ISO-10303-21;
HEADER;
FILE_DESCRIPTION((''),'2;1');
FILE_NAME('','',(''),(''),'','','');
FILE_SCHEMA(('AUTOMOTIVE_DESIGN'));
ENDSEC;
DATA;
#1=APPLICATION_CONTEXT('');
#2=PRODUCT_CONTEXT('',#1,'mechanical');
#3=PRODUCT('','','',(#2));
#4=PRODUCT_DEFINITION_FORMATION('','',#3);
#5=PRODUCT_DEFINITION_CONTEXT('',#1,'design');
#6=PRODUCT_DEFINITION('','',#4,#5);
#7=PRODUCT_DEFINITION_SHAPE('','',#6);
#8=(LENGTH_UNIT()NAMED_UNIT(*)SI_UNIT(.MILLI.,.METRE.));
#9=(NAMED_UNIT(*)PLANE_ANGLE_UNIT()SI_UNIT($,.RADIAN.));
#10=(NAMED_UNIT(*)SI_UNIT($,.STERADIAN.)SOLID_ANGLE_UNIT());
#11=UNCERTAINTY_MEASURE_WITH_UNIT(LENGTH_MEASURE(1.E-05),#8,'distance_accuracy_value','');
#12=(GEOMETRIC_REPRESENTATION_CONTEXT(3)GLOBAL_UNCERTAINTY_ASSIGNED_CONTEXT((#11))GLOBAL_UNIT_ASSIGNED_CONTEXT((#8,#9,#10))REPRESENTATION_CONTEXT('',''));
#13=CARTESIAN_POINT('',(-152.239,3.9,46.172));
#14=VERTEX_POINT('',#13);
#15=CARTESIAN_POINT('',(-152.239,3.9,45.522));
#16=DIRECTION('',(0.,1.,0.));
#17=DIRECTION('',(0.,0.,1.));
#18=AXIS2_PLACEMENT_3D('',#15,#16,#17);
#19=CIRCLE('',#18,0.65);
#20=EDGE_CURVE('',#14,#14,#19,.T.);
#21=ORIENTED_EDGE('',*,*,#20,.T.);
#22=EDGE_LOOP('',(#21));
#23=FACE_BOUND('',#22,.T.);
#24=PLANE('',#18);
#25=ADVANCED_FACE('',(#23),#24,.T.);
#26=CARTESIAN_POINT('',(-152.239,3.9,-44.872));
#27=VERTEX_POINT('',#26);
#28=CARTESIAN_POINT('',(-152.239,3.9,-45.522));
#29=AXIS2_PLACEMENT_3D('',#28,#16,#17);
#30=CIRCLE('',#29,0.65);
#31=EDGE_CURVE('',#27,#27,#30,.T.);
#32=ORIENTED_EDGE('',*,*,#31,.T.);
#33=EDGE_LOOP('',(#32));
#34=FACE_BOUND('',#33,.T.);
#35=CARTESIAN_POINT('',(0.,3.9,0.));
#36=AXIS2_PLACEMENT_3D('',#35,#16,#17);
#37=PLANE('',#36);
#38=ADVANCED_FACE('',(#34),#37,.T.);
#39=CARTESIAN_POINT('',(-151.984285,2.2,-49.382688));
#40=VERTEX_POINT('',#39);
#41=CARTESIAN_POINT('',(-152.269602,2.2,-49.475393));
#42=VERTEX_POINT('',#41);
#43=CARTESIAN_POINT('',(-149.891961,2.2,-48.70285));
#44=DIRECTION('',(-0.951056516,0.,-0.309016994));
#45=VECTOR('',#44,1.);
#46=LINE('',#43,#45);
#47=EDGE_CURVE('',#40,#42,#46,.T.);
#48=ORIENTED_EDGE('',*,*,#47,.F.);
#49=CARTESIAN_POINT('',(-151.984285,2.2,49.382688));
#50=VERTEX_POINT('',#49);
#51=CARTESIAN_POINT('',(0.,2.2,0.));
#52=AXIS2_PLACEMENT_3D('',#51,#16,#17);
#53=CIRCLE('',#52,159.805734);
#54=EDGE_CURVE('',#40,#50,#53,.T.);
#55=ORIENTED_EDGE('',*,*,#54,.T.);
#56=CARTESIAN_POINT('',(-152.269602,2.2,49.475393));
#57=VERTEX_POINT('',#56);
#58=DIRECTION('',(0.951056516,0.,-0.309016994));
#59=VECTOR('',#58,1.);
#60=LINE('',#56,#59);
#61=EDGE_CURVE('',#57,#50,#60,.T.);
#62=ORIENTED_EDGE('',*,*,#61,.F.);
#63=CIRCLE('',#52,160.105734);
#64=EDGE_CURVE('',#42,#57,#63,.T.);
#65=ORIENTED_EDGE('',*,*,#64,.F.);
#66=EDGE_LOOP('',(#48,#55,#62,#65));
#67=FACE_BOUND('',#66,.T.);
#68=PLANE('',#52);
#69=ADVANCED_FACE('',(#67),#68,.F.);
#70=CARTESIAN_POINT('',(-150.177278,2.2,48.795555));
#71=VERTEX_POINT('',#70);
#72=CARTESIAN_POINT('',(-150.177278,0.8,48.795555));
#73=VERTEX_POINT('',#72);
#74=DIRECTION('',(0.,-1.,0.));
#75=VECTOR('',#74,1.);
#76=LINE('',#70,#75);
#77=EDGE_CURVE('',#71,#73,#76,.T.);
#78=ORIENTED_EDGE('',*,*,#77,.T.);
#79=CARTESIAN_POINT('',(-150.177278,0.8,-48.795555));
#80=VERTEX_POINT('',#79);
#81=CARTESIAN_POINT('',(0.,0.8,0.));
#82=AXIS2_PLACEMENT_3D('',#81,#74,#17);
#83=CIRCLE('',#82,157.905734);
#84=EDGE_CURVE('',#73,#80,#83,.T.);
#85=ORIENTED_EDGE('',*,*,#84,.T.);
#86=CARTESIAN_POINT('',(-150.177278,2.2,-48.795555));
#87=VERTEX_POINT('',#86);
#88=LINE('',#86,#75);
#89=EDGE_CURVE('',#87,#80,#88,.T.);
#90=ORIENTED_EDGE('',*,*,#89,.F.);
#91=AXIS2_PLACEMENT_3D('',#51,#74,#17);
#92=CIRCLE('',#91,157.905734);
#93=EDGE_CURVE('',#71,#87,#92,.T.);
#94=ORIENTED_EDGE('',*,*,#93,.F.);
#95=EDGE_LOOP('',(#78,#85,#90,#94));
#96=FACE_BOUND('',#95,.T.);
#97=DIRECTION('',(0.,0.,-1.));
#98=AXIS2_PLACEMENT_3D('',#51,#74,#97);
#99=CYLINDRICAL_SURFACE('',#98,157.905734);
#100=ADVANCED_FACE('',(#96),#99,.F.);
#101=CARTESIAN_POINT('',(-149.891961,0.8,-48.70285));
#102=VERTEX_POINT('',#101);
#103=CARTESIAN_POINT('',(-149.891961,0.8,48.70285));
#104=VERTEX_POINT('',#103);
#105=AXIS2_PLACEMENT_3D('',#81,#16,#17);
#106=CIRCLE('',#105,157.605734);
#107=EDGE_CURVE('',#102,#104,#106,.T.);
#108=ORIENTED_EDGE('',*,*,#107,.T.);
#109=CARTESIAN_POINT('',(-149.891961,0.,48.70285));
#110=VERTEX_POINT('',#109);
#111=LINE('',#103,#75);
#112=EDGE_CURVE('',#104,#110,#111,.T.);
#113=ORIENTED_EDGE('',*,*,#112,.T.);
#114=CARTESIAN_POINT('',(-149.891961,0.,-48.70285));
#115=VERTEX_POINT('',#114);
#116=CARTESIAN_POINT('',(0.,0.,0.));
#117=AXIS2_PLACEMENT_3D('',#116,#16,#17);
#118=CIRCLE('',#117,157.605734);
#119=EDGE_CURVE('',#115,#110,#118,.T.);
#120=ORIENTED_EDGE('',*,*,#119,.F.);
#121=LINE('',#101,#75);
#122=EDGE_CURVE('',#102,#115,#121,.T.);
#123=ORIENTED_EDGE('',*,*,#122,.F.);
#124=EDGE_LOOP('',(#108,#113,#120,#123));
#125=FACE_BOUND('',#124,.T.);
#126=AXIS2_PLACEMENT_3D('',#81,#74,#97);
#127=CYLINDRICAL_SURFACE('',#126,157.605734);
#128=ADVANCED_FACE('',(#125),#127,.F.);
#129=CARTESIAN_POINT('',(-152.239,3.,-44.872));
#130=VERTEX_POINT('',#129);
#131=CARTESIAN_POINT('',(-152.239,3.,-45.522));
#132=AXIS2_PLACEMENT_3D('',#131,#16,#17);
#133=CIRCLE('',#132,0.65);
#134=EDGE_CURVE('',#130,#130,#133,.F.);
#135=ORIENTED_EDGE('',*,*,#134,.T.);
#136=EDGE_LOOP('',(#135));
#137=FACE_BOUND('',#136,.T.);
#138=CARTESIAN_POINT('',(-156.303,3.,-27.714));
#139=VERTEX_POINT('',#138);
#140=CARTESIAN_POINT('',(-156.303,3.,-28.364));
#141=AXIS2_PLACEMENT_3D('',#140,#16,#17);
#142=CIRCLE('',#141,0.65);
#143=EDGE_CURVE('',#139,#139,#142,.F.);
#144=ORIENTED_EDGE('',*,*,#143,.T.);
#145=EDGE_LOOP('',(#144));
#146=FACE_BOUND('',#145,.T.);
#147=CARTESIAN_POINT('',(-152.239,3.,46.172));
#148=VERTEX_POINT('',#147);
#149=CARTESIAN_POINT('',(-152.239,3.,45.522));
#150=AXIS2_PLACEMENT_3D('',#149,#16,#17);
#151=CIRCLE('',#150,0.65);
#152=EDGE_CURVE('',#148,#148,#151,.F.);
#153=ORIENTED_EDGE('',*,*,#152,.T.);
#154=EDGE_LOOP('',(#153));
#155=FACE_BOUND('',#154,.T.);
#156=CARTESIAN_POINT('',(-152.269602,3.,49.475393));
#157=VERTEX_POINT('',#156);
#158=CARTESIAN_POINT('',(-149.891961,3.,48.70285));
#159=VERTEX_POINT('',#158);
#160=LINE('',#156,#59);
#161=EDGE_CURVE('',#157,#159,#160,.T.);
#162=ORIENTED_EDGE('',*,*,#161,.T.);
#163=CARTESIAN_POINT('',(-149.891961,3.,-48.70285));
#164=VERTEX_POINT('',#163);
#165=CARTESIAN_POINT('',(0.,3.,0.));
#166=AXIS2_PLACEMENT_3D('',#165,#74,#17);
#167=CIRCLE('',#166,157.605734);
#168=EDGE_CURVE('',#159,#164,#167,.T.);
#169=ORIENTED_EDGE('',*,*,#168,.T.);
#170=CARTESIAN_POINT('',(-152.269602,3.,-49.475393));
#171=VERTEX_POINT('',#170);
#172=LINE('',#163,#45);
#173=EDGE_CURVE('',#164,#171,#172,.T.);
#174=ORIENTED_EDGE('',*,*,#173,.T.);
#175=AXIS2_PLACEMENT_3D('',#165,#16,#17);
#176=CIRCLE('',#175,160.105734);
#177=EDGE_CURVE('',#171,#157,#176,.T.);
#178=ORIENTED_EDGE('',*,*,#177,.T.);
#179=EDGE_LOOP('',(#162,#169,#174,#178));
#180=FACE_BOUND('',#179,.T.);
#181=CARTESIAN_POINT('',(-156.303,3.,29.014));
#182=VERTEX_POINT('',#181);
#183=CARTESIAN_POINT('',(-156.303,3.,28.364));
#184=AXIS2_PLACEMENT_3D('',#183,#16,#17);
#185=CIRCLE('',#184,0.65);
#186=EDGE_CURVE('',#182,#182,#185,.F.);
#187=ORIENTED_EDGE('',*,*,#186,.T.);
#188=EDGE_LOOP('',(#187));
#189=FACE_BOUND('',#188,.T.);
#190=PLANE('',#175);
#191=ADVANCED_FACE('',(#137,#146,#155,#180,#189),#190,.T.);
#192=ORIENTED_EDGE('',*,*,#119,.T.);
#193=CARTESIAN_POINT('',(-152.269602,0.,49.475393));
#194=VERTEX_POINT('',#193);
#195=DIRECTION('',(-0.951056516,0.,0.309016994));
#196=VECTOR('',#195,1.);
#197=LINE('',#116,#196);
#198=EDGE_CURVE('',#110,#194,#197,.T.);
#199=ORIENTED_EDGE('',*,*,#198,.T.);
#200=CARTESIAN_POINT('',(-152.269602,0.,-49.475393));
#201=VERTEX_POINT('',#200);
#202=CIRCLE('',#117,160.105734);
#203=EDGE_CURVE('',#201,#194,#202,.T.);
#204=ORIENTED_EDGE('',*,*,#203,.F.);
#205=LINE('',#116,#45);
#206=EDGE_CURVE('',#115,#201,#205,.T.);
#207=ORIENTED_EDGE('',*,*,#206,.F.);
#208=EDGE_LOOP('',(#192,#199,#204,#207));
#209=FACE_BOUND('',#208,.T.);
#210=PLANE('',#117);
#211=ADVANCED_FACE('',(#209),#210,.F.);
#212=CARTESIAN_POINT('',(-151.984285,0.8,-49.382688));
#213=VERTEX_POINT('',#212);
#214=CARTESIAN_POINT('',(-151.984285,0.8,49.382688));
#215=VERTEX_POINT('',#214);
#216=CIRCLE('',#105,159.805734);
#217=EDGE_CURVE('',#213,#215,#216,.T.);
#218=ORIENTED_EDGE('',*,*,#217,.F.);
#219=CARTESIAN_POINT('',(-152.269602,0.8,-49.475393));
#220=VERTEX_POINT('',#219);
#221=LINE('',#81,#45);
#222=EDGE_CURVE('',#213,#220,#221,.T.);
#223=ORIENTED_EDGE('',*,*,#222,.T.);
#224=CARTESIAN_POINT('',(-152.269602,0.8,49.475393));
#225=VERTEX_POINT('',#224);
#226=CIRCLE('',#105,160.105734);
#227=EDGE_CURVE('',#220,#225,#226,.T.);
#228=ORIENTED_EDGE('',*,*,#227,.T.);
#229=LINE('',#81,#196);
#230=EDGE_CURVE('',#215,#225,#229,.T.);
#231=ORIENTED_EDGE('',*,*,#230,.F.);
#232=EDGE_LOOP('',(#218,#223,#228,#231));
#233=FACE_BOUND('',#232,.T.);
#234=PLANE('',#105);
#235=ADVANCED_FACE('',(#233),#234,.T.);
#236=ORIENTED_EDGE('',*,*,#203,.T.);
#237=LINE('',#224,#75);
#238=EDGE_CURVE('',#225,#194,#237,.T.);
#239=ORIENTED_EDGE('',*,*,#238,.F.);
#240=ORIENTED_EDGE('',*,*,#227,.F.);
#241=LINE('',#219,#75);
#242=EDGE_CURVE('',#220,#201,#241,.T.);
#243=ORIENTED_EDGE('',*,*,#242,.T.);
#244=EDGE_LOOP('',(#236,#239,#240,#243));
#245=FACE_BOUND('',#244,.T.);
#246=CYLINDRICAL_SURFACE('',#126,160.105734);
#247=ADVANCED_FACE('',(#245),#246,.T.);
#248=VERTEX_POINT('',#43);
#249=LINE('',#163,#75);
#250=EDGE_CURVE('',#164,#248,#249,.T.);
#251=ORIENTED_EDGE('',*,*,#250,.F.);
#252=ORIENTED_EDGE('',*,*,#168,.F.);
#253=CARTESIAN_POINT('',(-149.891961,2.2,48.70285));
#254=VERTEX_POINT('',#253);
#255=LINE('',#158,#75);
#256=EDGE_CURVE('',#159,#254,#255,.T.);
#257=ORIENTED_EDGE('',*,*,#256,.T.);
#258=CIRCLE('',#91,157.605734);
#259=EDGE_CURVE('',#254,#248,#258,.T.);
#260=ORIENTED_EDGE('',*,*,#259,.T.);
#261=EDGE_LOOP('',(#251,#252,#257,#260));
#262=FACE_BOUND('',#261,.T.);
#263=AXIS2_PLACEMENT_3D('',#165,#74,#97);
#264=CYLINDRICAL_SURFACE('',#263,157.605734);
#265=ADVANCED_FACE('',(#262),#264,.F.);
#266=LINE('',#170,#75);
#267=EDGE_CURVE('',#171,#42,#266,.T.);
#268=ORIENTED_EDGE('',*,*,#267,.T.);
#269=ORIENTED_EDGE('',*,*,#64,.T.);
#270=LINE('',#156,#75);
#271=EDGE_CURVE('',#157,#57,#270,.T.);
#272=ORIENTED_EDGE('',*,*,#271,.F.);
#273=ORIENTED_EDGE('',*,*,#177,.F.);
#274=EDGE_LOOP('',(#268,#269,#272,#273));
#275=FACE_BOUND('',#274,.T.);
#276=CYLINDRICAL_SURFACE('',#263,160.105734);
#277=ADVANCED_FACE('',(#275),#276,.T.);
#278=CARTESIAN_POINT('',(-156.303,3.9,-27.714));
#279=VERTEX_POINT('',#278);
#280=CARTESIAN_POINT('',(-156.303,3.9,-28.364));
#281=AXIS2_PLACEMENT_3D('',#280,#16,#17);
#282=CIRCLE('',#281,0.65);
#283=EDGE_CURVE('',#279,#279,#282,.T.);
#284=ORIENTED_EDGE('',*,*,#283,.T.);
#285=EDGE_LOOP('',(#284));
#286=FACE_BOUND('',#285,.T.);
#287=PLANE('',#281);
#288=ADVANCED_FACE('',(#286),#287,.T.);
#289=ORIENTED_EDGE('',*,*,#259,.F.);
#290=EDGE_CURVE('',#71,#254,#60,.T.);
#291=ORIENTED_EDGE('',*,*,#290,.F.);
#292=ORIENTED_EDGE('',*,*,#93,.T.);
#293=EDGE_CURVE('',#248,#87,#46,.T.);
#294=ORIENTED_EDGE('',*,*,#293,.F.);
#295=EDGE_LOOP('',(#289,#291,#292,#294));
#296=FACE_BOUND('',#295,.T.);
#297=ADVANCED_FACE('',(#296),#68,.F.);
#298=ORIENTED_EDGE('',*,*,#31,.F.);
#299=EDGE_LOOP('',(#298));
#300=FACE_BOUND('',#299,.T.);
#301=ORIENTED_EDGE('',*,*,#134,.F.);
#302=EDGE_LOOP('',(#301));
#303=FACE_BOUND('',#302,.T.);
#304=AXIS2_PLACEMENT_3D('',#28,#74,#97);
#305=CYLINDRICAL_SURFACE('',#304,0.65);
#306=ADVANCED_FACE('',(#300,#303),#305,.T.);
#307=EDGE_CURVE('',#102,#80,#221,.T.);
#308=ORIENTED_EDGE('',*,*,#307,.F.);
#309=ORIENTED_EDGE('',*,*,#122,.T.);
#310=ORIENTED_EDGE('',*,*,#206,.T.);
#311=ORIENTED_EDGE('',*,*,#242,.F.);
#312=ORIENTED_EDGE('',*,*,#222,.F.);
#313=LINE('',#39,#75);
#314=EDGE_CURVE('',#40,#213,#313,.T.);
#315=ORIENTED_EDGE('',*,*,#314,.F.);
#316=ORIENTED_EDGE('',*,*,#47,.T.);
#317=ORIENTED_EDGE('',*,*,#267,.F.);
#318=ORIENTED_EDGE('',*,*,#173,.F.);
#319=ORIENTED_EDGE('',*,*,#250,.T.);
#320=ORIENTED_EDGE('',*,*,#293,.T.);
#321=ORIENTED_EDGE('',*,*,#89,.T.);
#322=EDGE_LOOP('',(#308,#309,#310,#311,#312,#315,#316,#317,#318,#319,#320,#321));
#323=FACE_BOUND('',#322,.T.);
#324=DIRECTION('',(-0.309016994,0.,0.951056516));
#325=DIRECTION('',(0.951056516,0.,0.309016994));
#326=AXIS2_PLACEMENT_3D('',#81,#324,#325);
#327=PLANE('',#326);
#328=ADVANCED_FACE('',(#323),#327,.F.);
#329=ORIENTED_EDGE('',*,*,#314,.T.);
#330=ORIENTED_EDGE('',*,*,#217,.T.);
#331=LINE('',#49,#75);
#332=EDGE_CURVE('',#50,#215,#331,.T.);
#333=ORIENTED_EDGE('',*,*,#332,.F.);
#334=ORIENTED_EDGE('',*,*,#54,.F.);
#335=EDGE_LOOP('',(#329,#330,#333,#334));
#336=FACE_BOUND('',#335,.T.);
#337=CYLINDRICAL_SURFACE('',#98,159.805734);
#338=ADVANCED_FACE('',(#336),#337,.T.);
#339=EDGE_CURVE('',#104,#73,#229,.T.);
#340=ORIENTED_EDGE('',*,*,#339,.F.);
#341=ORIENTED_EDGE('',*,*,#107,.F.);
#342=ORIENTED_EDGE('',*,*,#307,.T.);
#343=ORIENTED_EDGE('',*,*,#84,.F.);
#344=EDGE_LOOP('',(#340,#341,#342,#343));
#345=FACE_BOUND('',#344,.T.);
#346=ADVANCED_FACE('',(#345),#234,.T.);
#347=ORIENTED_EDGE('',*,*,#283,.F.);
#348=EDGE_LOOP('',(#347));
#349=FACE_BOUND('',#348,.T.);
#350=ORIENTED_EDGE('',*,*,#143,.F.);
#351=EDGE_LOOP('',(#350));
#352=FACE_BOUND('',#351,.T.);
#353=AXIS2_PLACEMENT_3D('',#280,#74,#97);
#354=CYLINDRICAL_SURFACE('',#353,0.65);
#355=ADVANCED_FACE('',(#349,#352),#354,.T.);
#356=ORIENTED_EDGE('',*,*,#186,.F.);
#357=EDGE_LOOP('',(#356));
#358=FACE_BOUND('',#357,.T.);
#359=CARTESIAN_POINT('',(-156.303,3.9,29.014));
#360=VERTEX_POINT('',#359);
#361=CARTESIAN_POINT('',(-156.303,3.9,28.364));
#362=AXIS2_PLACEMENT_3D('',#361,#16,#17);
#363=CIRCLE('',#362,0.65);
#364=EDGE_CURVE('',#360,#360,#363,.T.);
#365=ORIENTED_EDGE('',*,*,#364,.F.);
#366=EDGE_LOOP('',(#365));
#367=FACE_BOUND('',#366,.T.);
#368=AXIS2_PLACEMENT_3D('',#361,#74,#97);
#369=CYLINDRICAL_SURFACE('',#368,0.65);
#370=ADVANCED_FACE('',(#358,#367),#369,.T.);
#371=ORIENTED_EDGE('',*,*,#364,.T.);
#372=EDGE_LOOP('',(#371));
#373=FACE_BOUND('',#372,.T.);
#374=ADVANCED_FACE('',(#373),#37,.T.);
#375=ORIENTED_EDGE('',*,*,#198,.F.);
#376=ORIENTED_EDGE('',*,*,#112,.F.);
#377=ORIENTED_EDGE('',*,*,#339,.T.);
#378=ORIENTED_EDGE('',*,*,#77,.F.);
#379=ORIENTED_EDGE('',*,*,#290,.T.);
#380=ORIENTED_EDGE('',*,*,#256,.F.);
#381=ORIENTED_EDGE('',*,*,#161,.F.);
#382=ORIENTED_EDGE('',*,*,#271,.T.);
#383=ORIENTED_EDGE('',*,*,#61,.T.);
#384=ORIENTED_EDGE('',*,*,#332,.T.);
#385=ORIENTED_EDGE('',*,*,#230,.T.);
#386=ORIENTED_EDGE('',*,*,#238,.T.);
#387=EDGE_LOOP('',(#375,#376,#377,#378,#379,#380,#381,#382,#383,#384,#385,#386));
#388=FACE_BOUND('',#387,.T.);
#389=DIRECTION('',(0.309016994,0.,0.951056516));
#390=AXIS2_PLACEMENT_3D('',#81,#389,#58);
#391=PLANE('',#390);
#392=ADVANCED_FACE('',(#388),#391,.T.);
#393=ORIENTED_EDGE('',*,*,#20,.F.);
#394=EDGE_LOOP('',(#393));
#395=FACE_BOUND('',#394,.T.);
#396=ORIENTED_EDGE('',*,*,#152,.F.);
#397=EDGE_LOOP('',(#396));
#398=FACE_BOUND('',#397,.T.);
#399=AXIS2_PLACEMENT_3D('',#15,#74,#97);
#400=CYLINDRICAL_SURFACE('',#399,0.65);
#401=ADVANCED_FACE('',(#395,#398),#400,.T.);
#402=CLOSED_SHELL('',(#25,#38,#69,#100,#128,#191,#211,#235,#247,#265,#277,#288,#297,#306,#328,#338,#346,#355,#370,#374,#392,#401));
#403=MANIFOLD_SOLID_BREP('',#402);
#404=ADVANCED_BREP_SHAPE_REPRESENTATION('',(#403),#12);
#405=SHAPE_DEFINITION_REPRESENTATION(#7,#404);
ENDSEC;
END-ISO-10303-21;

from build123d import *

# Parameters (mm, degrees)
BOSS_EXTRUDE1_DEPTH = 0.8
BOSS_EXTRUDE2_DEPTH = 1.4
BOSS_EXTRUDE3_DEPTH = 0.8
SKETCH1_3_R         = 0.65
BOSS_EXTRUDE4_DEPTH = 3.9


with BuildPart() as part:
    # Sketch1 → Boss-Extrude1 (new body)
    with BuildSketch(Plane(origin=(0, 0, 0), x_dir=(1, 0, 0), z_dir=(0, 1, 0))):
        with BuildLine():
            Line((-152.269601857, -49.475392781), (-149.891960567, -48.702850295))
            ThreePointArc((-149.891960567, -48.702850295), (-157.605734253, 0), (-149.891960567, 48.702850295))
            Line((-149.891960567, 48.702850295), (-152.269601857, 49.475392781))
            ThreePointArc((-152.269601857, 49.475392781), (-160.105734253, 0), (-152.269601857, -49.475392781))
        make_face()
    extrude(amount=BOSS_EXTRUDE1_DEPTH)

    # Sketch2 → Boss-Extrude2 (add)
    with BuildSketch(Plane(origin=(0, 0.8, 0), x_dir=(1, 0, 0), z_dir=(0, 1, 0))):
        with BuildLine():
            Line((-150.177277522, -48.795555393), (-151.984284902, -49.382687683))
            ThreePointArc((-151.984284902, -49.382687683), (-159.805734253, 0), (-151.984284902, 49.382687683))
            Line((-151.984284902, 49.382687683), (-150.177277522, 48.795555393))
            ThreePointArc((-150.177277522, 48.795555393), (-157.905734253, 0), (-150.177277522, -48.795555393))
        make_face()
    extrude(amount=BOSS_EXTRUDE2_DEPTH)

    # Sketch3 → Boss-Extrude3 (add)
    with BuildSketch(Plane(origin=(0, 2.2, 0), x_dir=(1, 0, 0), z_dir=(0, 1, 0))):
        with BuildLine():
            Line((-152.269601857, -49.475392781), (-149.891960567, -48.702850295))
            ThreePointArc((-149.891960567, -48.702850295), (-157.605734253, 0), (-149.891960567, 48.702850295))
            Line((-149.891960567, 48.702850295), (-152.269601857, 49.475392781))
            ThreePointArc((-152.269601857, 49.475392781), (-160.105734253, 0), (-152.269601857, -49.475392781))
        make_face()
    extrude(amount=BOSS_EXTRUDE3_DEPTH)

    # Sketch1<3> → Boss-Extrude4 (add)
    with BuildSketch(Plane(origin=(0, 0, 0), x_dir=(1, 0, 0), z_dir=(0, 1, 0))):
        with Locations((-156.303, -28.364)):
            Circle(SKETCH1_3_R)
        with Locations((-156.303, 28.364)):
            Circle(SKETCH1_3_R)
        with Locations((-152.239, 45.522)):
            Circle(SKETCH1_3_R)
        with Locations((-152.239, -45.522)):
            Circle(SKETCH1_3_R)
    extrude(amount=BOSS_EXTRUDE4_DEPTH)


solid = part.part
